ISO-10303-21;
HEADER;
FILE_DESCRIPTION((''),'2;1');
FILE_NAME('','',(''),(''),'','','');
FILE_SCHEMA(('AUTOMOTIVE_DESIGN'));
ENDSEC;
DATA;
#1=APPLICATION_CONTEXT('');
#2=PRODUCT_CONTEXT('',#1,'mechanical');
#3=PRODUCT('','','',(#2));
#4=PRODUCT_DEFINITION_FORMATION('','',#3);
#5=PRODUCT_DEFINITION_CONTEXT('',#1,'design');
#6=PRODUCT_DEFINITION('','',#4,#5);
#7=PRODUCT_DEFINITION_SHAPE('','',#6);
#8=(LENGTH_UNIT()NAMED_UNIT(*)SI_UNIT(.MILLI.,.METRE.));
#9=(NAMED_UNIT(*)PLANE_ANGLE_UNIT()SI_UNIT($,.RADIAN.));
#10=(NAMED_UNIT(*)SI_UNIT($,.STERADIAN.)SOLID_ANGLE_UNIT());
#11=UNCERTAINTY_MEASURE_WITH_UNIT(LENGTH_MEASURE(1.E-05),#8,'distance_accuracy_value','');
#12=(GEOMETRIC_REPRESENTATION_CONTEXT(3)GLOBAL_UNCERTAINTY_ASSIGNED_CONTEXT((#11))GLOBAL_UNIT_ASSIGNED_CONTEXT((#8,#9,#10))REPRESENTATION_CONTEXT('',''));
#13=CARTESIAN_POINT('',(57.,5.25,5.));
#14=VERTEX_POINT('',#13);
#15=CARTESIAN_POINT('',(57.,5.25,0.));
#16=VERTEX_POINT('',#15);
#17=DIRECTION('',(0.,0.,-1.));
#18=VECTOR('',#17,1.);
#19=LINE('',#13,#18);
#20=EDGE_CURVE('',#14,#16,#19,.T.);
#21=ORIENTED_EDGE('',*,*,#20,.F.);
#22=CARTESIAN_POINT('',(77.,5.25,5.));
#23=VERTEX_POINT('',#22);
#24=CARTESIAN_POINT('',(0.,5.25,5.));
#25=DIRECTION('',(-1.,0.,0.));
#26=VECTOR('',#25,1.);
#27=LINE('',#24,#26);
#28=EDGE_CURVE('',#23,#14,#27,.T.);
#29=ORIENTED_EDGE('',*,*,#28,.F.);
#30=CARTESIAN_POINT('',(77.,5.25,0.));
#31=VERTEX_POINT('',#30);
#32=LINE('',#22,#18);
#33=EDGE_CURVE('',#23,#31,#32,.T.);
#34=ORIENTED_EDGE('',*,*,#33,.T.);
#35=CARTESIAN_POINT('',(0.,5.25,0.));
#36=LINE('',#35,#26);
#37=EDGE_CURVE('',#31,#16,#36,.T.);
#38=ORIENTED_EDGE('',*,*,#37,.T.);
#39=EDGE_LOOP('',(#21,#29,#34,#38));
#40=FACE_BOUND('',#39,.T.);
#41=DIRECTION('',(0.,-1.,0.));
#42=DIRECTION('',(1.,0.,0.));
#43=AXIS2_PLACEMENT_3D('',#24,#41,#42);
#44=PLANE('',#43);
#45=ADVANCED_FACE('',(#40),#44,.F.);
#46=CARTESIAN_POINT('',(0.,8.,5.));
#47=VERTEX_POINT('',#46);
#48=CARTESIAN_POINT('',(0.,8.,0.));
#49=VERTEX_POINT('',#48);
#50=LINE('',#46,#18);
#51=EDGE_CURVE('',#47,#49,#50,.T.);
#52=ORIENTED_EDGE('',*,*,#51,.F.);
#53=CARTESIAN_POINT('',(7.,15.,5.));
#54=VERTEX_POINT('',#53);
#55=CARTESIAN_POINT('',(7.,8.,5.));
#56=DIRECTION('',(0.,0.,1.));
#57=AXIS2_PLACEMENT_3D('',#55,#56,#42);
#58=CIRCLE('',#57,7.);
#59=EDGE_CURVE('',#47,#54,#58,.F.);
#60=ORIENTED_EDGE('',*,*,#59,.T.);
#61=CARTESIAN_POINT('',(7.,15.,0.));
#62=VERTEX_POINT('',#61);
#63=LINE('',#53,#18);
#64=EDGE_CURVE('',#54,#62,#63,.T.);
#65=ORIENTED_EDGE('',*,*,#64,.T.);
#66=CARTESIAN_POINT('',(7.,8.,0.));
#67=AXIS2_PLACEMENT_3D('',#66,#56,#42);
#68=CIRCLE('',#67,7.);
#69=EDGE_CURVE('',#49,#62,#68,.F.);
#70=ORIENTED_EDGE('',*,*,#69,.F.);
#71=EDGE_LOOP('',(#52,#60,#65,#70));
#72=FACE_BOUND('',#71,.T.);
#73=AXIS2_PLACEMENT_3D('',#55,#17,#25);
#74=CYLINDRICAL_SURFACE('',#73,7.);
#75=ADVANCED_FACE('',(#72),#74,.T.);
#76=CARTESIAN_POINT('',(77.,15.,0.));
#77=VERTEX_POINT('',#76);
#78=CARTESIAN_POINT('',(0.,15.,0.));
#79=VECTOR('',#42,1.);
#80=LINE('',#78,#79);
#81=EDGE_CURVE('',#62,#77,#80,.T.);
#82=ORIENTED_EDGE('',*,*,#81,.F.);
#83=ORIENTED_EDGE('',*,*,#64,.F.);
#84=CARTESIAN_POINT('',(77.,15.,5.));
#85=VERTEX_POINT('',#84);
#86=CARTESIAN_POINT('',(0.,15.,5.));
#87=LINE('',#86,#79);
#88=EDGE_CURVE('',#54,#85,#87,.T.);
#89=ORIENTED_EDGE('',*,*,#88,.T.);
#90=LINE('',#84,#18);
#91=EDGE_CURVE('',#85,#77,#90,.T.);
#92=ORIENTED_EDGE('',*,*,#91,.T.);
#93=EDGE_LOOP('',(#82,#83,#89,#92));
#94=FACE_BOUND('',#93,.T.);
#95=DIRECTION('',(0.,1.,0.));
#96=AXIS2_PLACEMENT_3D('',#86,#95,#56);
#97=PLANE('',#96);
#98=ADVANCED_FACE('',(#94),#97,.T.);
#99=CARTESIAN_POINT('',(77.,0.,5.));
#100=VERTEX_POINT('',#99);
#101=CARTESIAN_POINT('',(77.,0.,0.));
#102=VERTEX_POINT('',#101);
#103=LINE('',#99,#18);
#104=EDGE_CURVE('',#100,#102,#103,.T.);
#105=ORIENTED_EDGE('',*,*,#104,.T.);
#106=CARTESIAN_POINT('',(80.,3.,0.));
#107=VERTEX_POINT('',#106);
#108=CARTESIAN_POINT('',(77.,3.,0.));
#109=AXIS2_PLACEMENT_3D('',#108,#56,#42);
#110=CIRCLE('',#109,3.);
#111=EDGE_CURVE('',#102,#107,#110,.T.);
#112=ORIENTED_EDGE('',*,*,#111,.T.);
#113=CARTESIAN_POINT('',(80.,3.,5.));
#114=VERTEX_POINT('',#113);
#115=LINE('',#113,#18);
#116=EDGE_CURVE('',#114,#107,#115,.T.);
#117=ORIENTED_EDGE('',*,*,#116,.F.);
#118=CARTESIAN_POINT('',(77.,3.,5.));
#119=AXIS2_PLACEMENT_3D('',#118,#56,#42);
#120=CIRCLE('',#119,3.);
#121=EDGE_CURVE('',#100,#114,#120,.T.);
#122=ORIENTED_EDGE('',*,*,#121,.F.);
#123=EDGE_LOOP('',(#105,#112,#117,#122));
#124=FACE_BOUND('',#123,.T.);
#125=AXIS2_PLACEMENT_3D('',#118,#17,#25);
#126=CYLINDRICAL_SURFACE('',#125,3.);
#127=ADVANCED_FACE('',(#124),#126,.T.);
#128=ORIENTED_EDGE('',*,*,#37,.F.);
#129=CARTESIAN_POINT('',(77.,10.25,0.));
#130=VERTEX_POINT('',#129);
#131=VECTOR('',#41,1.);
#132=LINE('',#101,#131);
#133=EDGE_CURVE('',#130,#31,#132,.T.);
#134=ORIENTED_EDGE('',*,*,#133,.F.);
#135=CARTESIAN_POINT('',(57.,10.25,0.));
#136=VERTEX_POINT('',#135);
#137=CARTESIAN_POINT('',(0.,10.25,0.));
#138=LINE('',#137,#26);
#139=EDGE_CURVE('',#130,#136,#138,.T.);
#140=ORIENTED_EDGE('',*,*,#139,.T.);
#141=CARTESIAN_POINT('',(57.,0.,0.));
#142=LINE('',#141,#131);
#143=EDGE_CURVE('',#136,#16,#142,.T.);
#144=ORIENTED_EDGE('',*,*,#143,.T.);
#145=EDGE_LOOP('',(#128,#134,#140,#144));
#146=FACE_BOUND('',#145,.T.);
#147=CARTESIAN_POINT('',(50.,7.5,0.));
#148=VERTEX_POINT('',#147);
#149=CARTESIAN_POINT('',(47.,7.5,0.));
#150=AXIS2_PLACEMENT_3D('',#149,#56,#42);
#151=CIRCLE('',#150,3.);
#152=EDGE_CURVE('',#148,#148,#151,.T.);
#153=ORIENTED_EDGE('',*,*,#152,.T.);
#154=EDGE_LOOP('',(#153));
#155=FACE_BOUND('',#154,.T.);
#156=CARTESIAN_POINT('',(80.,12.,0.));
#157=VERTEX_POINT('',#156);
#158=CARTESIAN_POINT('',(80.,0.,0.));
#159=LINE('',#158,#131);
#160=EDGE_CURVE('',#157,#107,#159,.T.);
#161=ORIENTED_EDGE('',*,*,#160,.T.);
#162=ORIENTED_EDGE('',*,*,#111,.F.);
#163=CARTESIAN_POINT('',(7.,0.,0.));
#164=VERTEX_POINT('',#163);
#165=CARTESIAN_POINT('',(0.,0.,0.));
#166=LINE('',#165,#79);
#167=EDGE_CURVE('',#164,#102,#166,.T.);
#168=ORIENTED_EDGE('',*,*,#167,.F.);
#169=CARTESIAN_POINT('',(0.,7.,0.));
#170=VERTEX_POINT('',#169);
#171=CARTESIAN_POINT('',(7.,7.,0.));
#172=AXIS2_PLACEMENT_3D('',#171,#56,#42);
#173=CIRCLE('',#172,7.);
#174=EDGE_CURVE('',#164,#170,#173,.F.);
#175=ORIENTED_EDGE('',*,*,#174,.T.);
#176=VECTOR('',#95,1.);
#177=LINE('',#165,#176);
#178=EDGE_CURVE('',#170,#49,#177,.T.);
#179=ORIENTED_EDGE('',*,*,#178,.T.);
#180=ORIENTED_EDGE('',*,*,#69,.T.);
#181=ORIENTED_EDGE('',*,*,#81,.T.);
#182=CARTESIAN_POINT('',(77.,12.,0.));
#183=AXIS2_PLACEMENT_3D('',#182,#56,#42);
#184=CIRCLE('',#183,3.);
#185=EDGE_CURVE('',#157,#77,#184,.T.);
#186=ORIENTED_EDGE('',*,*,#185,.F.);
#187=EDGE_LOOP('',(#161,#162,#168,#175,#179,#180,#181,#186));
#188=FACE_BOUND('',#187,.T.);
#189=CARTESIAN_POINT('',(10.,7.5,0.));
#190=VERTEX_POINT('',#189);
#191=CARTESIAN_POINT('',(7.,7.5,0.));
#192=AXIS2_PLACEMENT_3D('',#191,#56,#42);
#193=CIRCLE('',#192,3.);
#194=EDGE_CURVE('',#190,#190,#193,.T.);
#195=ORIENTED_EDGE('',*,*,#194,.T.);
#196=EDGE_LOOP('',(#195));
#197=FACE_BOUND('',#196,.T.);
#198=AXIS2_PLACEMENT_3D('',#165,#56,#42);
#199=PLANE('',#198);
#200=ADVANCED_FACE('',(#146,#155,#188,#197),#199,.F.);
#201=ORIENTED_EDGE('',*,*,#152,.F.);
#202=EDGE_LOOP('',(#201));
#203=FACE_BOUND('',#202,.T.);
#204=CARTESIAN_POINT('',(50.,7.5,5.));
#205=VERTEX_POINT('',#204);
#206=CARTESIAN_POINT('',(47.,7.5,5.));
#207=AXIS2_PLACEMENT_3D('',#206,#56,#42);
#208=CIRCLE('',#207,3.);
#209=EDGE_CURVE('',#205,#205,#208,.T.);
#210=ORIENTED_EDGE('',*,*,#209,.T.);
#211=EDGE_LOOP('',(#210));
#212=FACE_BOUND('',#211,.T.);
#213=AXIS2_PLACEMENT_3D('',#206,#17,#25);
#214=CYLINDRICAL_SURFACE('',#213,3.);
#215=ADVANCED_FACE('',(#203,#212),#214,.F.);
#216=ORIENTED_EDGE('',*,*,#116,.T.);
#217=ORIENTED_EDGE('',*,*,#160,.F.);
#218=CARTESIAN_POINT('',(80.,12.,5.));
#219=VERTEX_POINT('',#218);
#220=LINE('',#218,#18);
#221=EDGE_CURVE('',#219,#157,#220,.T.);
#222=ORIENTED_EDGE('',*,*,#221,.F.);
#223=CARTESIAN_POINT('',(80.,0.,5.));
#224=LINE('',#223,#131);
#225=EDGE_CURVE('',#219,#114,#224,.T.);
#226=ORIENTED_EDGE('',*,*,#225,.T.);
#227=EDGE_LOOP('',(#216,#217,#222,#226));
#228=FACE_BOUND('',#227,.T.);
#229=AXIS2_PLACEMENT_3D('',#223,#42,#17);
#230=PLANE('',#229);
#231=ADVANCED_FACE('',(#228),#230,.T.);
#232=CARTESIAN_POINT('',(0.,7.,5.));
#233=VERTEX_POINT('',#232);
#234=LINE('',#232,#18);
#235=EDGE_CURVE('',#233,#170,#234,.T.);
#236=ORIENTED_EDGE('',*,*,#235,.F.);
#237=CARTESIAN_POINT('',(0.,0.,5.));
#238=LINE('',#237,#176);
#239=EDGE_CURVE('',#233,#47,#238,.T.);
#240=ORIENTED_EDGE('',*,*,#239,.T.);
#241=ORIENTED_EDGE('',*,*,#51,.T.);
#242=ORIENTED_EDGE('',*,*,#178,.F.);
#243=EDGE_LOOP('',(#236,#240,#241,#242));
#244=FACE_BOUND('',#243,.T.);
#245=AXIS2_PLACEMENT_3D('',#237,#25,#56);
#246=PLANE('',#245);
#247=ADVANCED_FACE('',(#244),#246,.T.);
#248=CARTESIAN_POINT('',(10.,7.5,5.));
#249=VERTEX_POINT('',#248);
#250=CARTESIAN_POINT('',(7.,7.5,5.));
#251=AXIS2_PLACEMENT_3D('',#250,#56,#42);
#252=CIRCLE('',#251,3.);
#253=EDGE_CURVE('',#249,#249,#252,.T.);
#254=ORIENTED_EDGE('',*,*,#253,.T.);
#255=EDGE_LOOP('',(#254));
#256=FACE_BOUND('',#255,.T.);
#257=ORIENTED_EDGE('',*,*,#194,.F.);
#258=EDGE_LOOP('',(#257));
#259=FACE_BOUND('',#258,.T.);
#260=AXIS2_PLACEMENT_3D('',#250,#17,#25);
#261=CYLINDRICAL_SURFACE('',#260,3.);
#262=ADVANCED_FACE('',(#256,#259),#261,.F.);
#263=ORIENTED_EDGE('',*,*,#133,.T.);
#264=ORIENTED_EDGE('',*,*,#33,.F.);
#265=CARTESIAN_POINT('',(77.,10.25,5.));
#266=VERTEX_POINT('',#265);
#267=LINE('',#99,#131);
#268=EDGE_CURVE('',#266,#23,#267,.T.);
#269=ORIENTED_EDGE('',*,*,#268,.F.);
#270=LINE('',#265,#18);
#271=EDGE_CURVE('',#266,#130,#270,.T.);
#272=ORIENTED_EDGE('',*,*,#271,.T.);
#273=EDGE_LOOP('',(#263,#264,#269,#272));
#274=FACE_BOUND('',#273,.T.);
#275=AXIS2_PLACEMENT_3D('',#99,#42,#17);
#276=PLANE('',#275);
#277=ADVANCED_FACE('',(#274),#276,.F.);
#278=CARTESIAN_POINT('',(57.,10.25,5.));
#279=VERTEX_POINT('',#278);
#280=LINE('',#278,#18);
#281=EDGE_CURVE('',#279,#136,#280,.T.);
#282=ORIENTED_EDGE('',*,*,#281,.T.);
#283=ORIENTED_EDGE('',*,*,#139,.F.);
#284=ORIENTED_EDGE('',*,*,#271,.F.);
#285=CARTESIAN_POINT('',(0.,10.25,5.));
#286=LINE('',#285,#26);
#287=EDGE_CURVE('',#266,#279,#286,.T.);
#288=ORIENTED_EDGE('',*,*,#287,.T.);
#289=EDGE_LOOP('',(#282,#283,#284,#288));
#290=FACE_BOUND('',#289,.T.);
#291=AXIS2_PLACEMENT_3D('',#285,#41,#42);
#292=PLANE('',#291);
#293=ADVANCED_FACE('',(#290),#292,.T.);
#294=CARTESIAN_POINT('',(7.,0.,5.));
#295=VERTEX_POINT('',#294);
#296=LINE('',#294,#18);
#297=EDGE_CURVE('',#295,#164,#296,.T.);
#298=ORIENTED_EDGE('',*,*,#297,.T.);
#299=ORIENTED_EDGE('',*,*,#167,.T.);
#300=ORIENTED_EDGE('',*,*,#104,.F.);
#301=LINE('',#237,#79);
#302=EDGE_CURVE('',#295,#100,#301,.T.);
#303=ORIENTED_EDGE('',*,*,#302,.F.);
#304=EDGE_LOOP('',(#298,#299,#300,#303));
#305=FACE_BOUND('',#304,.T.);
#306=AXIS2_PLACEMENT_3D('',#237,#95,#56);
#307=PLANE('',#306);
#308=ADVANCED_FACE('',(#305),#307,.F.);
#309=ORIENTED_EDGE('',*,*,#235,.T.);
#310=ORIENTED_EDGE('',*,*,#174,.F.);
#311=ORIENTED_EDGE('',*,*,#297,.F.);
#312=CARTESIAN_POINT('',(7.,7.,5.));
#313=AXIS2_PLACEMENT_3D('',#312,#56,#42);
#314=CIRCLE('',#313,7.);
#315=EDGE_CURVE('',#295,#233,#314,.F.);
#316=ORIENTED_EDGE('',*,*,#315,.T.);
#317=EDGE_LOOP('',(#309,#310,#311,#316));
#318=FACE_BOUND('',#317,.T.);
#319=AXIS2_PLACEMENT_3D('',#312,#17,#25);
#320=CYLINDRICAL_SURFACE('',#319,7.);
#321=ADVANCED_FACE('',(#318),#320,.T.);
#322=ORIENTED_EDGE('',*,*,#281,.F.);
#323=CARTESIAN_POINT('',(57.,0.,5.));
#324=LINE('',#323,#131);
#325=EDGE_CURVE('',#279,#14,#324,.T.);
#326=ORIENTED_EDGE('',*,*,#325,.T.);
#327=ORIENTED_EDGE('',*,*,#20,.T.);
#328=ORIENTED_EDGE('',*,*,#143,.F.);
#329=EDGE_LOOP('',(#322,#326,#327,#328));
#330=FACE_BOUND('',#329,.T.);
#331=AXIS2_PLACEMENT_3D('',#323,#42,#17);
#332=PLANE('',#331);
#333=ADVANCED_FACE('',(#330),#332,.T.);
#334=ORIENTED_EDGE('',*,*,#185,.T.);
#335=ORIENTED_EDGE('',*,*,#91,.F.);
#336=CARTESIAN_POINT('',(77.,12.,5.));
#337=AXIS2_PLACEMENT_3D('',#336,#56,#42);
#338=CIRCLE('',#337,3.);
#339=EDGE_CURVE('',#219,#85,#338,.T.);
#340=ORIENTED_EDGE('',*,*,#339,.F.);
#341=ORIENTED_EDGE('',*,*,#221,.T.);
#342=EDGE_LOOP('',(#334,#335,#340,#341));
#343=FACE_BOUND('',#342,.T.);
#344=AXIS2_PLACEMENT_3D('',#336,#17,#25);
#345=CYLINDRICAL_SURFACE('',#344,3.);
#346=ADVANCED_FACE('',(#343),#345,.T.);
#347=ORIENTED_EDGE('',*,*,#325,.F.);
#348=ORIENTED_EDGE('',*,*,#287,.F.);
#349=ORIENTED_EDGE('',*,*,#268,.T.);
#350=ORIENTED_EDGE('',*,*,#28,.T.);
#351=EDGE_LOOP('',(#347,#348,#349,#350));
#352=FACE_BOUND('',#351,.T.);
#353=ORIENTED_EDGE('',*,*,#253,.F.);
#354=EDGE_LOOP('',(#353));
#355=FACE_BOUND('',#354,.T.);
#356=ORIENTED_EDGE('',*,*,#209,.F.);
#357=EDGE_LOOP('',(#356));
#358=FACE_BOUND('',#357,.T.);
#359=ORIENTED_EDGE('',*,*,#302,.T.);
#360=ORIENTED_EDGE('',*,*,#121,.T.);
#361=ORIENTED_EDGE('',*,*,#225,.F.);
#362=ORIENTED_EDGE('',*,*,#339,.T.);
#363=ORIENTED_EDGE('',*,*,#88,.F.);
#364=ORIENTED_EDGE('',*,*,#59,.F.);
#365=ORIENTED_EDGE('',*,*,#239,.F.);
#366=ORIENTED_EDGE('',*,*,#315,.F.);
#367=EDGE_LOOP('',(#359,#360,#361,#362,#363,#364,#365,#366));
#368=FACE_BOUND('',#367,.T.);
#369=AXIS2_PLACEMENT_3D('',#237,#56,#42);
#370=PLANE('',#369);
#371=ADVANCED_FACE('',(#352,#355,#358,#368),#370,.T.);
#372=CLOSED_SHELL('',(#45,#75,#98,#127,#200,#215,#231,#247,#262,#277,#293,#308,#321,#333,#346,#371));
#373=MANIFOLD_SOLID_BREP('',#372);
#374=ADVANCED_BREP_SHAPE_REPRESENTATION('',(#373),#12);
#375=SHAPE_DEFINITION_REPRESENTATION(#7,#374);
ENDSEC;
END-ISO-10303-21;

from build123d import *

# Parameters (mm, degrees)
SKETCH1_R           = 3
SKETCH1_W           = 20
SKETCH1_H           = 5
BOSS_EXTRUDE1_DEPTH = 5


with BuildPart() as part:
    # Sketch1 → Boss-Extrude1 (new body)
    with BuildSketch(Plane.XY):
        with BuildLine():
            Line((7, 0), (77, 0))
            ThreePointArc((77, 0), (79.121320344, 0.878679656), (80, 3))
            Line((80, 3), (80, 12))
            ThreePointArc((80, 12), (79.121320344, 14.121320344), (77, 15))
            Line((77, 15), (7, 15))
            ThreePointArc((7, 15), (2.050252532, 12.949747468), (0, 8))
            Line((0, 8), (0, 7))
            ThreePointArc((0, 7), (2.050252532, 2.050252532), (7, 0))
        make_face()
        with Locations((7, 7.5)):
            Circle(SKETCH1_R, mode=Mode.SUBTRACT)
        with Locations((47, 7.5)):
            Circle(SKETCH1_R, mode=Mode.SUBTRACT)
        with Locations((67, 7.75)):
            Rectangle(SKETCH1_W, SKETCH1_H, mode=Mode.SUBTRACT)
    extrude(amount=BOSS_EXTRUDE1_DEPTH)


solid = part.part
